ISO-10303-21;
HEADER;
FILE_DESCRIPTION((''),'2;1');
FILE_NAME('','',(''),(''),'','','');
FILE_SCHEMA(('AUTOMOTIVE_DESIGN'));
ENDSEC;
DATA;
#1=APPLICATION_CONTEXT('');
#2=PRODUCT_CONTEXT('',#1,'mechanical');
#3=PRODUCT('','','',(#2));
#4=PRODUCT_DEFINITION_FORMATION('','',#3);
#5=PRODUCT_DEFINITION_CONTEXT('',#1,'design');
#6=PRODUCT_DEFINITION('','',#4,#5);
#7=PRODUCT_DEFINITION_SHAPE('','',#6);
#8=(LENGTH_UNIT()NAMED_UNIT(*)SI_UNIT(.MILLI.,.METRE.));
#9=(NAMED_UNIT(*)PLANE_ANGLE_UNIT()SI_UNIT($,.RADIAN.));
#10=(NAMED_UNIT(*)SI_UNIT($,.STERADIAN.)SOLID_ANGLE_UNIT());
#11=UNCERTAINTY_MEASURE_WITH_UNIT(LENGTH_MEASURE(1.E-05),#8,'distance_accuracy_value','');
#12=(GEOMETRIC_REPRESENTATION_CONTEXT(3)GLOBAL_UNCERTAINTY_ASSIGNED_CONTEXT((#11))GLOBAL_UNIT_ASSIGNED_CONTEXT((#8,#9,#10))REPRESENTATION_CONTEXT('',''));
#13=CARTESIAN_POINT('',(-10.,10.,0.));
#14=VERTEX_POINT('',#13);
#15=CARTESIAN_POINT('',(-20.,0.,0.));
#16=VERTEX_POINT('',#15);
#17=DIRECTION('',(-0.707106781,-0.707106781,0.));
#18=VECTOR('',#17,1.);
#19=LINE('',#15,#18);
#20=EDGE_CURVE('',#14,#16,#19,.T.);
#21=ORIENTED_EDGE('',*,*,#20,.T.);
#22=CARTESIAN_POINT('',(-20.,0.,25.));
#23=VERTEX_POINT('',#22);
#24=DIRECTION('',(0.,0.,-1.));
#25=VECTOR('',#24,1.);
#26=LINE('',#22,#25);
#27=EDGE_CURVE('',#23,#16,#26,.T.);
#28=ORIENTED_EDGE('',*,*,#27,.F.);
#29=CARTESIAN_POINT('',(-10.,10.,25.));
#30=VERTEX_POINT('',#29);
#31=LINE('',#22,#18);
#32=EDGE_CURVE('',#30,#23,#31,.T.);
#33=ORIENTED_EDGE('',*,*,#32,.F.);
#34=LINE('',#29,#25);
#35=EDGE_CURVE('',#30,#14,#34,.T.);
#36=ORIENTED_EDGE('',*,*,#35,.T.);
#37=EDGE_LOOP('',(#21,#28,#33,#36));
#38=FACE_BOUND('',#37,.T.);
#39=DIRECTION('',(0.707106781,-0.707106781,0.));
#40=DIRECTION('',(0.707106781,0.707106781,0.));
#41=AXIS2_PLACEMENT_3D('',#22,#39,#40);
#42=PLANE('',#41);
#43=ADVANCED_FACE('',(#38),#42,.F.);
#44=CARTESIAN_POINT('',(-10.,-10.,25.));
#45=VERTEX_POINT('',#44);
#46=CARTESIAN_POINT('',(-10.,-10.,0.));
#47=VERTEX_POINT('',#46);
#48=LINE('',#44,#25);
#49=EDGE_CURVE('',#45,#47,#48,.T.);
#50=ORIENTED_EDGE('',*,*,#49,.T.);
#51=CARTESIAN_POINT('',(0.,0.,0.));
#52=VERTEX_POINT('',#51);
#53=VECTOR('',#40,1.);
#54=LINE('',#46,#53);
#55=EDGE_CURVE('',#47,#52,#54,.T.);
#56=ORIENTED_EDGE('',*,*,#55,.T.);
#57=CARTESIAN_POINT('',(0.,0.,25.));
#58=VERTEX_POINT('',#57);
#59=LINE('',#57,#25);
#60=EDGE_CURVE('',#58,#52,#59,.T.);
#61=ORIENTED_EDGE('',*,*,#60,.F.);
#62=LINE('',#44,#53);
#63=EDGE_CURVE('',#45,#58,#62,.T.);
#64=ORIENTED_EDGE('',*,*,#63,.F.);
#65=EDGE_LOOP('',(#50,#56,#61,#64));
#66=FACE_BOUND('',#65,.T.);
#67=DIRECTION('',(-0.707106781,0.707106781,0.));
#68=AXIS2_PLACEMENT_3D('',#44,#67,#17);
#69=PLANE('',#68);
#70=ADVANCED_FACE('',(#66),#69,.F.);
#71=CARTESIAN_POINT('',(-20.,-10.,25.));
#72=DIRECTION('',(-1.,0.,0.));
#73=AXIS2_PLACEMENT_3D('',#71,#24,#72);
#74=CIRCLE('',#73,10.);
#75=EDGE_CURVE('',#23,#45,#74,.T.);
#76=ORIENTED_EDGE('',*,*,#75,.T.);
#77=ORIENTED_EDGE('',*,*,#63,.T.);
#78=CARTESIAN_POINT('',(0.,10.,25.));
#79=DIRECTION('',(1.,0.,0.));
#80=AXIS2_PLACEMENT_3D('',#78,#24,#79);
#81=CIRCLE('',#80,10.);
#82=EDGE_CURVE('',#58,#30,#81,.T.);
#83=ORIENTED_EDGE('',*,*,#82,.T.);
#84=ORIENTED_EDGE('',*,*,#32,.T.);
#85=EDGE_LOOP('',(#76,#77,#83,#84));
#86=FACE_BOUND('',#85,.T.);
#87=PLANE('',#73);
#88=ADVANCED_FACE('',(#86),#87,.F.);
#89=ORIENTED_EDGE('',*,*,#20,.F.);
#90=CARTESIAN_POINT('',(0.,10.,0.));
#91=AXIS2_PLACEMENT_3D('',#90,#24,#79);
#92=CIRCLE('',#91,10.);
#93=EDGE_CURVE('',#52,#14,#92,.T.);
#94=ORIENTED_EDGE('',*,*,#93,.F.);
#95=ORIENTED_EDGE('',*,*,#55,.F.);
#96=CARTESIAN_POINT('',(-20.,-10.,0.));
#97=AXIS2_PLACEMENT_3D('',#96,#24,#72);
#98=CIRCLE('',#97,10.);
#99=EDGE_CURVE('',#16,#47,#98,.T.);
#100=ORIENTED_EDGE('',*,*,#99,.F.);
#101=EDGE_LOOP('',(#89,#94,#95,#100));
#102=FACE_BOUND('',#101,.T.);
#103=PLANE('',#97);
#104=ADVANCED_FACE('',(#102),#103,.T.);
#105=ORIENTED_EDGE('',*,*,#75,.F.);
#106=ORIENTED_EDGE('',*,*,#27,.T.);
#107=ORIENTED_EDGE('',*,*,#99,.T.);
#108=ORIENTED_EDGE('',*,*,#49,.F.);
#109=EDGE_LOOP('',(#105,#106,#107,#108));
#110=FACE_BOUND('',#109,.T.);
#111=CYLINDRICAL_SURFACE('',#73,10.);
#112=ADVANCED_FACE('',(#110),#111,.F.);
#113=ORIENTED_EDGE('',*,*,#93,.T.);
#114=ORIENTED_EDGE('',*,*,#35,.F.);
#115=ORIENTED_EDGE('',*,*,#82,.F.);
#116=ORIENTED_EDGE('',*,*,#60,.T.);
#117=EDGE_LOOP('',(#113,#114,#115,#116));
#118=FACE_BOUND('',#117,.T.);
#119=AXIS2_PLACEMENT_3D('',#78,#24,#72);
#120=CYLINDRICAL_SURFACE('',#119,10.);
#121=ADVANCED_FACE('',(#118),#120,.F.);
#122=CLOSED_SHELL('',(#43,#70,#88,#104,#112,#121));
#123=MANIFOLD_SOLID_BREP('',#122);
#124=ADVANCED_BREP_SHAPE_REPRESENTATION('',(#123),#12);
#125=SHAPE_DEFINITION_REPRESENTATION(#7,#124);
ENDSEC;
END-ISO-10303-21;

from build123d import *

# Parameters (mm, degrees)
BOSS_EXTRUDE2_DEPTH = 25


with BuildPart() as part:
    # Sketch1 → Boss-Extrude2 (new body)
    with BuildSketch(Plane.XY):
        with BuildLine():
            Line((-20, 0), (-10, 10))
            ThreePointArc((-10, 10), (-7.071067812, 2.928932188), (0, 0))
            Line((0, 0), (-10, -10))
            ThreePointArc((-10, -10), (-12.928932188, -2.928932188), (-20, 0))
        make_face()
    extrude(amount=BOSS_EXTRUDE2_DEPTH)


solid = part.part
